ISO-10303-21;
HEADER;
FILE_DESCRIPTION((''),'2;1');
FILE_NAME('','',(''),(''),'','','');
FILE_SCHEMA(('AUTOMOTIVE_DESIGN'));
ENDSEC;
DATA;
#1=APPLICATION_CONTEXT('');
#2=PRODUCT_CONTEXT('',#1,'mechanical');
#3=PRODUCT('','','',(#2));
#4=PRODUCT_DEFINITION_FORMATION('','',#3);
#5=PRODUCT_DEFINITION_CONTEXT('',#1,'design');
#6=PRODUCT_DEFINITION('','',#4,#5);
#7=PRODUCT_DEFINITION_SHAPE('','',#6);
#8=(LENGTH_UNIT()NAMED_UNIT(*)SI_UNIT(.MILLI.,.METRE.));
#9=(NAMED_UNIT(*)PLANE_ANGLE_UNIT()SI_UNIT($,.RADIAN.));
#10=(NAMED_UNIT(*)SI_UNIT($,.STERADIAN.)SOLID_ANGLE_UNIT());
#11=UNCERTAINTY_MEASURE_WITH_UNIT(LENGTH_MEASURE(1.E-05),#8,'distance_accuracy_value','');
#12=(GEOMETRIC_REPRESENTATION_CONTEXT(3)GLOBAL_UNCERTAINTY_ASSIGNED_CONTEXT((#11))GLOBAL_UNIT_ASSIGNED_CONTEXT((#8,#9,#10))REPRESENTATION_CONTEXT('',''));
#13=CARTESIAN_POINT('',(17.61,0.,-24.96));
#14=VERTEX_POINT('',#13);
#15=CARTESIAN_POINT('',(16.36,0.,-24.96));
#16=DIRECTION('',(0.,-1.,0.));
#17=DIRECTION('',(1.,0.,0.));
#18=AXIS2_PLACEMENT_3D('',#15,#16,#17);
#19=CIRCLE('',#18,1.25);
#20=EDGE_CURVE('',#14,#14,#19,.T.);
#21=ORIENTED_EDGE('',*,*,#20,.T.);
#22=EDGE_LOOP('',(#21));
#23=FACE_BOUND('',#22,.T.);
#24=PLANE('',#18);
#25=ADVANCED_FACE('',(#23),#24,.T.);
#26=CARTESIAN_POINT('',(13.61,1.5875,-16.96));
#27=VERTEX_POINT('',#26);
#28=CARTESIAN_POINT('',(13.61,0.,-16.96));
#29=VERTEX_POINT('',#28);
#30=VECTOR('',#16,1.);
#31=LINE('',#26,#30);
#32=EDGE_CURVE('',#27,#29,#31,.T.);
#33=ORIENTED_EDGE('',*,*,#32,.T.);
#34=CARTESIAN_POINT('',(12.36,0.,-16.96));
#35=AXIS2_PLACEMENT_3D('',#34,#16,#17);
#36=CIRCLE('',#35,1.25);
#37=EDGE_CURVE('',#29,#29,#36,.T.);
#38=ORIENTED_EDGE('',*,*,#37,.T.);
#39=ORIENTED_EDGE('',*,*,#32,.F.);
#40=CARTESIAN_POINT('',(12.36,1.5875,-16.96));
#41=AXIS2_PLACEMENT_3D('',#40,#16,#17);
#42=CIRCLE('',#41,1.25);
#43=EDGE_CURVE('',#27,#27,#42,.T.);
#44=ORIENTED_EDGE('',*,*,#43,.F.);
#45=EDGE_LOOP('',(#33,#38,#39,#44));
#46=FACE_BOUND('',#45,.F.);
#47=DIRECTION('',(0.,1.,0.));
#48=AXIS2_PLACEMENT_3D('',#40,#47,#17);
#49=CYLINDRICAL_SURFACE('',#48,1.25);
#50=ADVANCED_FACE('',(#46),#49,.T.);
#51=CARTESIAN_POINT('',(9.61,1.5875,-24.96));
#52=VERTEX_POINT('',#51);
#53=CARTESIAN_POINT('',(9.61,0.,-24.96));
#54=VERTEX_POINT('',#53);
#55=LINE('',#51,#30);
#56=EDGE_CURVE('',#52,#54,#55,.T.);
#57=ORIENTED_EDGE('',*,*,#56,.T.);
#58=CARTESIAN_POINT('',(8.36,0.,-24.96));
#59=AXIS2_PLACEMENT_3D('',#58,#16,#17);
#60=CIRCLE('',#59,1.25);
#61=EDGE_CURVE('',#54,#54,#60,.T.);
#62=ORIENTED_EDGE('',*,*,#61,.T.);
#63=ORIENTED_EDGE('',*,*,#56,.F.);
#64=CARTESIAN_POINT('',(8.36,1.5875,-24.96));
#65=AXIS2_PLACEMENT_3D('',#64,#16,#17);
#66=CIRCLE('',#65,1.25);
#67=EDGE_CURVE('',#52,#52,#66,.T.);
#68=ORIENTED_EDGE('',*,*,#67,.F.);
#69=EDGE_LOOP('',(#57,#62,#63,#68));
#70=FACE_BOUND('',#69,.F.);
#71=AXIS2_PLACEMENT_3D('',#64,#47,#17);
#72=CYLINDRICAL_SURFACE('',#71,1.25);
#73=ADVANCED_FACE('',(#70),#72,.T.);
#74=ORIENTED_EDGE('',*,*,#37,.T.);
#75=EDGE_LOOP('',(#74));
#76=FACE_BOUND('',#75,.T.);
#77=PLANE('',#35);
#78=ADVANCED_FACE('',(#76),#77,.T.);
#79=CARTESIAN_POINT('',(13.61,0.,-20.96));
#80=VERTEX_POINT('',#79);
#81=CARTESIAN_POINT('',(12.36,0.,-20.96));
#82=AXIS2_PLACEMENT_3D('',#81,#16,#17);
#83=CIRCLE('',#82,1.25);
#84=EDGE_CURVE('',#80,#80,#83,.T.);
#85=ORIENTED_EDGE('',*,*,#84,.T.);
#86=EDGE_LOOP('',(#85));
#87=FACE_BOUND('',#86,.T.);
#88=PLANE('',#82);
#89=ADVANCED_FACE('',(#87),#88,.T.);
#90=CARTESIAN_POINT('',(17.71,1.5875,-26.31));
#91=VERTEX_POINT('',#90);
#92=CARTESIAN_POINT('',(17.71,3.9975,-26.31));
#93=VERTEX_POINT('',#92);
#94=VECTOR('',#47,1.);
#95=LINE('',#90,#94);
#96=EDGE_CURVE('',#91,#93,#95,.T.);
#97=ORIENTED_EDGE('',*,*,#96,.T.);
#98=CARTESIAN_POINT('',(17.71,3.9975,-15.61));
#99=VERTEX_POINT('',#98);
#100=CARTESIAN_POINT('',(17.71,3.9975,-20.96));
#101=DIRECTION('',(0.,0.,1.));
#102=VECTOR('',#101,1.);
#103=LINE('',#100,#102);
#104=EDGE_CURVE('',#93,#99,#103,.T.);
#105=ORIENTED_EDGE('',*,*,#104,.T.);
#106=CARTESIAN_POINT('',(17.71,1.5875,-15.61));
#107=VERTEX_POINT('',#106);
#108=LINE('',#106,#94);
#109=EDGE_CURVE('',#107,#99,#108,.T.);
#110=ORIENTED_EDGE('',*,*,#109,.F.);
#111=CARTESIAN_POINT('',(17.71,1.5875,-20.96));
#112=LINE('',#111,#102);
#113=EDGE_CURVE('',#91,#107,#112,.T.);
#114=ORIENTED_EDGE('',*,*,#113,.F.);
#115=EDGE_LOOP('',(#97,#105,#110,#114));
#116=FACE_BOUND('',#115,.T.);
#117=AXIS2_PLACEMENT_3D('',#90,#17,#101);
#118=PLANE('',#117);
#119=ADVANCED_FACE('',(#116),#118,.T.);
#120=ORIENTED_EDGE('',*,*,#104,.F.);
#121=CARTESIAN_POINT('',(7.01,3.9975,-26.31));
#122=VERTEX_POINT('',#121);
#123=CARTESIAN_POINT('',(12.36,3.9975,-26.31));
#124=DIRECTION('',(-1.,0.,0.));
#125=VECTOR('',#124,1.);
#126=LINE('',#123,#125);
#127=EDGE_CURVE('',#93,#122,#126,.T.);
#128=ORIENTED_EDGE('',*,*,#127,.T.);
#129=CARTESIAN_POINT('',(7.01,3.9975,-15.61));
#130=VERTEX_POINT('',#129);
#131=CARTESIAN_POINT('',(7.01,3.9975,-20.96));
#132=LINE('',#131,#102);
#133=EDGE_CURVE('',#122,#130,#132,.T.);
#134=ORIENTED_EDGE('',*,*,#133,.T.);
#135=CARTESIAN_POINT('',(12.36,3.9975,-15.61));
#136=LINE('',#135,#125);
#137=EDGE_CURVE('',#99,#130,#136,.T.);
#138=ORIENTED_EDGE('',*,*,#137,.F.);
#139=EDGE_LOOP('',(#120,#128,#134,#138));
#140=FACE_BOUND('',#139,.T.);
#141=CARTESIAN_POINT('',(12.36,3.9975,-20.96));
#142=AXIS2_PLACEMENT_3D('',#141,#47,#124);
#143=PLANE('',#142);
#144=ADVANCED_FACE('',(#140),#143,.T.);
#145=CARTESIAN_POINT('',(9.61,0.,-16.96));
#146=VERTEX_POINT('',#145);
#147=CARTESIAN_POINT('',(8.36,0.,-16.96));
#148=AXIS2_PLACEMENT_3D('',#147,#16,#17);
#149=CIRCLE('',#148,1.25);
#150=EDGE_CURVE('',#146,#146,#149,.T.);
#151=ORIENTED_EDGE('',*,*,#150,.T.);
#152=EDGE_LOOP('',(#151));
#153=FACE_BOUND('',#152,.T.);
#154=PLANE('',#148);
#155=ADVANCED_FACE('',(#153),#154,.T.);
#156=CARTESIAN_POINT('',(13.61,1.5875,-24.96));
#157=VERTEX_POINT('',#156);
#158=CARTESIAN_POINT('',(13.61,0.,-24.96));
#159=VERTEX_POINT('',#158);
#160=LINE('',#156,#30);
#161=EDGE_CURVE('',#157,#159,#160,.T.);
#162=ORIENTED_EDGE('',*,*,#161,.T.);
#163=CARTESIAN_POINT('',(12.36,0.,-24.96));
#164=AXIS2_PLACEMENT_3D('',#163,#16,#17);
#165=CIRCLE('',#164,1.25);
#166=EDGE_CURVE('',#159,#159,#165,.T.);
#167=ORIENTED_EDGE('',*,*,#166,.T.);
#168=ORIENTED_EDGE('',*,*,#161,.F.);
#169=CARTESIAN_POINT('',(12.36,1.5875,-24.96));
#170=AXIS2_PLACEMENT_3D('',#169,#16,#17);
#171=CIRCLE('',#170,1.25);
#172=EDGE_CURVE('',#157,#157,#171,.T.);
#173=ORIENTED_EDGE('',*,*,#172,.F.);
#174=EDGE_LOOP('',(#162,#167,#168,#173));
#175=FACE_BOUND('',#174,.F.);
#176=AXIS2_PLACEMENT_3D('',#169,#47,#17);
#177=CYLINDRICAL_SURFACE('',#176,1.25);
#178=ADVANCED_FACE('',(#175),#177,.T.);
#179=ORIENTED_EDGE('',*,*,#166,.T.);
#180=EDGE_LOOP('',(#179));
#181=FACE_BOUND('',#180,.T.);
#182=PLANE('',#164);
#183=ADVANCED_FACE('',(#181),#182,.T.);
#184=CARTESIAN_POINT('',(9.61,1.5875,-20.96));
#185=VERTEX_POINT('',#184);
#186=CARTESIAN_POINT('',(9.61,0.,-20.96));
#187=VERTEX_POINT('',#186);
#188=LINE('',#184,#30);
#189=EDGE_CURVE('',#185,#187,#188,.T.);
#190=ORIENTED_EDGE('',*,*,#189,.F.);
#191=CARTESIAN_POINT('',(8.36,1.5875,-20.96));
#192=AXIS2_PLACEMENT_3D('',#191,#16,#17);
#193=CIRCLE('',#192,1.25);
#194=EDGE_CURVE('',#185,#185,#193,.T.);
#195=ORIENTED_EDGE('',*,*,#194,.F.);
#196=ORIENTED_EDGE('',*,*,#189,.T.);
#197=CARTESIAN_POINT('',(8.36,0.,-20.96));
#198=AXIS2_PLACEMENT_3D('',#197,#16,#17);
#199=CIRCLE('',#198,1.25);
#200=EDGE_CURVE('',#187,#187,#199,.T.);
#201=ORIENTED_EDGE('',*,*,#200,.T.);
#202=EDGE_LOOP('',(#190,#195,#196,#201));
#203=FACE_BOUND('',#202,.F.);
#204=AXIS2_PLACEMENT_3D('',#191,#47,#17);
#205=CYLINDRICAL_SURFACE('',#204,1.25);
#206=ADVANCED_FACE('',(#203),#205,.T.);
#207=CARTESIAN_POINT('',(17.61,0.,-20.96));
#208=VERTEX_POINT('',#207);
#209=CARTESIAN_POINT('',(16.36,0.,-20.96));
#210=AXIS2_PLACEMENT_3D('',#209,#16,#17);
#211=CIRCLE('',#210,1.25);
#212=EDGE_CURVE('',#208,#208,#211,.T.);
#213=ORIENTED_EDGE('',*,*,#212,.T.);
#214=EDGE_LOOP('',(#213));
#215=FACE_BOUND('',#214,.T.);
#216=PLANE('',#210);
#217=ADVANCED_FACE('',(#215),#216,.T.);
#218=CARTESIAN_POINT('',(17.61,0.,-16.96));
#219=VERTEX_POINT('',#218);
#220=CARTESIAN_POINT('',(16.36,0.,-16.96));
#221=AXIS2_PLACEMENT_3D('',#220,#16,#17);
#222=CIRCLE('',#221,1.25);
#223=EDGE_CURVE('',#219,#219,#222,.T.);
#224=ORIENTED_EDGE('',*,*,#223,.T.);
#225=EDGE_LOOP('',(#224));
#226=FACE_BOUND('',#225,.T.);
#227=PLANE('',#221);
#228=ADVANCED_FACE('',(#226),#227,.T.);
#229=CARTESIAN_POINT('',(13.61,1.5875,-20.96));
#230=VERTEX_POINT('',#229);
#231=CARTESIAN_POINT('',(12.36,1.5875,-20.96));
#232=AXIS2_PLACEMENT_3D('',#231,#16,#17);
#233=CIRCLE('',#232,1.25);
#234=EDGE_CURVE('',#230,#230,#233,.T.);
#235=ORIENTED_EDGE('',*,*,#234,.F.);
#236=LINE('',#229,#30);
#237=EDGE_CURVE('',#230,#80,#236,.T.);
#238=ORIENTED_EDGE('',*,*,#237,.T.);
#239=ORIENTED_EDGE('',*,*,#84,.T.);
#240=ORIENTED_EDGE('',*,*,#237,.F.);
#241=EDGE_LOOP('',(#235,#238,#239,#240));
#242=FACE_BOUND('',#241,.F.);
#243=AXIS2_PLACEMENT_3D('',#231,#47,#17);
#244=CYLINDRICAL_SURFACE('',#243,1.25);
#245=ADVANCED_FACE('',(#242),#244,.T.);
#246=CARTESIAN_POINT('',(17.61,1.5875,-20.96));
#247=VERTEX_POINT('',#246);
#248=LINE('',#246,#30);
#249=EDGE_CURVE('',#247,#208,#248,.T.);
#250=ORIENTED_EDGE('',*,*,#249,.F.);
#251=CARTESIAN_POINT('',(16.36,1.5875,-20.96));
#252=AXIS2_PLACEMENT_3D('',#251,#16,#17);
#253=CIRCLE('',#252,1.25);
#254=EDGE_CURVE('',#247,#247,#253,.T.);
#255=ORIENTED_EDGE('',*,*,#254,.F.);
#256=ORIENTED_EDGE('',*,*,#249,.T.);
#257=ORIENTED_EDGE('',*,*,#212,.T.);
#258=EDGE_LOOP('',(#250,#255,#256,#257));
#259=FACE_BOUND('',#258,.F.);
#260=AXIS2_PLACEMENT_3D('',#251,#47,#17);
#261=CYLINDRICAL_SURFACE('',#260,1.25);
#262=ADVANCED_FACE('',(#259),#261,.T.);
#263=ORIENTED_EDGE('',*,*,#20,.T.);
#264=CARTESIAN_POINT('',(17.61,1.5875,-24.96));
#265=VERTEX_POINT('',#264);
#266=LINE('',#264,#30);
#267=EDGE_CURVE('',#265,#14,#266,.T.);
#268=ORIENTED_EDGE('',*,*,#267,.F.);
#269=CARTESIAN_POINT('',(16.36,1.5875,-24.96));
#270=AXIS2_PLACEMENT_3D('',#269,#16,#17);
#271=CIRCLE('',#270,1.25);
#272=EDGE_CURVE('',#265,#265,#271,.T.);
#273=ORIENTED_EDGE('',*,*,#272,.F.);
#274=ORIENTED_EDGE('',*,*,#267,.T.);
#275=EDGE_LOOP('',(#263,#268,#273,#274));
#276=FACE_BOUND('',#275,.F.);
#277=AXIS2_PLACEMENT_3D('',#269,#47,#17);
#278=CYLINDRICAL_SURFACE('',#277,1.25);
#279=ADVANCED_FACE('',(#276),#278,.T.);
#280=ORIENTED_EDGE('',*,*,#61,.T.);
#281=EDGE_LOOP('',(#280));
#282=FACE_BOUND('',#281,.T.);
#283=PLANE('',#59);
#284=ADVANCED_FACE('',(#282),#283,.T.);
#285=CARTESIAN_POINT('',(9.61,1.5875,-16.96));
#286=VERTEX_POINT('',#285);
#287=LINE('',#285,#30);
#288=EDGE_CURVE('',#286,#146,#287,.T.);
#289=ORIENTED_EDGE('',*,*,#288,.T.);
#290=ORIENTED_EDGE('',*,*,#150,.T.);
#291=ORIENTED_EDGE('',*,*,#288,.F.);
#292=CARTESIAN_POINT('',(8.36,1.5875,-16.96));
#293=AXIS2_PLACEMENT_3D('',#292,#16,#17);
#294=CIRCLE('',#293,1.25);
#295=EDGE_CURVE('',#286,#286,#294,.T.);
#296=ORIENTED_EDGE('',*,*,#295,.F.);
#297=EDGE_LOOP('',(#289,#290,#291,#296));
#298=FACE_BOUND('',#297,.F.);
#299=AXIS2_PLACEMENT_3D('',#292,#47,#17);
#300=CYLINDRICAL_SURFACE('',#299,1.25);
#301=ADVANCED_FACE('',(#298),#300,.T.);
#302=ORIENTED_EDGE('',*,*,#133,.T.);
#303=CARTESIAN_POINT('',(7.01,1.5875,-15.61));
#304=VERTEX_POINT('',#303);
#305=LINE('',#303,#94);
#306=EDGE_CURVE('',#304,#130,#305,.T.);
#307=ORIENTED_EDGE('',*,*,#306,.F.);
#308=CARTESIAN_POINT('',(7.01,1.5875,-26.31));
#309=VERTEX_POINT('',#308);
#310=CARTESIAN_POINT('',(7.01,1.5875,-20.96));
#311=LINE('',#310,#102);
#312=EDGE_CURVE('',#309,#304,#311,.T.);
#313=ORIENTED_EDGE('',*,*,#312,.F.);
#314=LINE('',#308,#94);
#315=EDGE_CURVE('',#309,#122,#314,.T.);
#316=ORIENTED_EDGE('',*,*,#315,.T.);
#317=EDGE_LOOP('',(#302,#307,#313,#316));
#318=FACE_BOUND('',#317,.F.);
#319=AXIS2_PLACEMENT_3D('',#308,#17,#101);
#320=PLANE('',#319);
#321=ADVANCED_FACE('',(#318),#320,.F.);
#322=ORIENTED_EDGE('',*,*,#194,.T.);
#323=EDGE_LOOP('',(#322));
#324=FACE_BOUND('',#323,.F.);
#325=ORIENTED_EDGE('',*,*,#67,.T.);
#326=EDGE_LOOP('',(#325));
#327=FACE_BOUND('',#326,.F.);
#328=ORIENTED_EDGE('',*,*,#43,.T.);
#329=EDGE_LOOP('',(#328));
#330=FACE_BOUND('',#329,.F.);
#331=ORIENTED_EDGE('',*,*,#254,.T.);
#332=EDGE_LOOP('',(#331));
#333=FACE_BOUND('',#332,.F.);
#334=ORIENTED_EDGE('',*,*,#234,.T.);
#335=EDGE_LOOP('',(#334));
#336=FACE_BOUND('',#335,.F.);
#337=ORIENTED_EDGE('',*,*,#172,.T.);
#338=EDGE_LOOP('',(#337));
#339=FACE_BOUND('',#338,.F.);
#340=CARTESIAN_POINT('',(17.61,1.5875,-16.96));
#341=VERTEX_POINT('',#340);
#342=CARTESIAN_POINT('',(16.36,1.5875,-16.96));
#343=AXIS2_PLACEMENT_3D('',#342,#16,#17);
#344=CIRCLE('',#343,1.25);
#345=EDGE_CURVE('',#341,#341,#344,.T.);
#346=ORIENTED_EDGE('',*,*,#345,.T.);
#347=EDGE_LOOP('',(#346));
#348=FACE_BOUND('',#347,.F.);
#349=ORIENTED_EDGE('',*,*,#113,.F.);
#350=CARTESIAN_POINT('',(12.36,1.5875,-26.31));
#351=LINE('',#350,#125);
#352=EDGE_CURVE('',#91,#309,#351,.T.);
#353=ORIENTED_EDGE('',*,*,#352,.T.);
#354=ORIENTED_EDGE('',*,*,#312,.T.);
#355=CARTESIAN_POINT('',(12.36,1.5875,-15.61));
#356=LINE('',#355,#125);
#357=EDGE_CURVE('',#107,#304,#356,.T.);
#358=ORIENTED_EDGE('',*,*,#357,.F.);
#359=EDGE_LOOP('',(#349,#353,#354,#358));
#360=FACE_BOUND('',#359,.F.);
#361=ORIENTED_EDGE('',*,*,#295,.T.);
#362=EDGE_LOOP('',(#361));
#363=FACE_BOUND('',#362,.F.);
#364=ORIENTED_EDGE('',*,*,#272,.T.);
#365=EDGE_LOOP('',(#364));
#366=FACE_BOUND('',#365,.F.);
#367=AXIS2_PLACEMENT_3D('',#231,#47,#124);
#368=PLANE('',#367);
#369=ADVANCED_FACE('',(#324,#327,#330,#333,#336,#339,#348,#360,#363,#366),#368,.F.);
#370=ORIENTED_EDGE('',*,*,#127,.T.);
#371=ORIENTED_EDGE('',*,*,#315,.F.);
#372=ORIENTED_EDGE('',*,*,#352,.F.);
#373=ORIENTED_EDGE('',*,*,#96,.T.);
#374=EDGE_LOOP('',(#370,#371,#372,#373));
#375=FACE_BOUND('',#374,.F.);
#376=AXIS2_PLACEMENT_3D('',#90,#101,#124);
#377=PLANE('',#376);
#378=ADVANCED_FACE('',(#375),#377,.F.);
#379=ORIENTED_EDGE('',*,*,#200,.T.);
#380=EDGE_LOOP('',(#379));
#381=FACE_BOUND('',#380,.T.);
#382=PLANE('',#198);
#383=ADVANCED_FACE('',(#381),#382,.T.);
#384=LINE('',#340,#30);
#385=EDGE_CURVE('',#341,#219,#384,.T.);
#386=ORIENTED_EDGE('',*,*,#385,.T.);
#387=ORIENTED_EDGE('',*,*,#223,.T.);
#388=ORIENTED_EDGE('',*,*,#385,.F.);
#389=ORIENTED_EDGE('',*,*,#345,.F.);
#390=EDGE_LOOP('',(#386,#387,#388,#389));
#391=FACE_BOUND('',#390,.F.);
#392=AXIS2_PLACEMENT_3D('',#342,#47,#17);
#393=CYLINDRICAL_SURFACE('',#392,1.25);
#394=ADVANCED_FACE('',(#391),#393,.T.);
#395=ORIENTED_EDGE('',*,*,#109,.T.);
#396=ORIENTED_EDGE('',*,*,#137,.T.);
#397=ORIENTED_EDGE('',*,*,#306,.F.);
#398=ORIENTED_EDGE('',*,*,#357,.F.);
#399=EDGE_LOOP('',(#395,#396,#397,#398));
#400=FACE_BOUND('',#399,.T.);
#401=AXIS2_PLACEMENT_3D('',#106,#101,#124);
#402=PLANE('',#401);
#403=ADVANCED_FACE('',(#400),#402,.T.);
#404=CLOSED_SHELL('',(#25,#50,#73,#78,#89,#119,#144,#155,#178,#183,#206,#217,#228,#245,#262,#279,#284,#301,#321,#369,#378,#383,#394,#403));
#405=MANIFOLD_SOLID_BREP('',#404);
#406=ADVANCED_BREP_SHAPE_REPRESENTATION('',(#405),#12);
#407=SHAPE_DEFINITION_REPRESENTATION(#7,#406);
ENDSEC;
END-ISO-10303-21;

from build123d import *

# Parameters (mm, degrees)
SKETCH3_W           = 10.7
SKETCH3_H           = 10.7
BOSS_EXTRUDE2_DEPTH = 2.41
SKETCH5_R           = 1.25
BOSS_EXTRUDE3_DEPTH = 1.5875


with BuildPart() as part:
    # Sketch3 → Boss-Extrude2 (new body)
    with BuildSketch(Plane(origin=(0, 1.5875, 0), x_dir=(-1, 0, 0), z_dir=(0, 1, 0))):
        with Locations((-12.36, -20.96)):
            Rectangle(SKETCH3_W, SKETCH3_H)
    extrude(amount=BOSS_EXTRUDE2_DEPTH)

    # Sketch5 → Boss-Extrude3 (add)
    with BuildSketch(Plane.XZ.offset(-1.5875)):
        with Locations((16.36, -24.96)):
            Circle(SKETCH5_R)
        with Locations((12.36, -24.96)):
            Circle(SKETCH5_R)
        with Locations((8.36, -24.96)):
            Circle(SKETCH5_R)
        with Locations((16.36, -20.96)):
            Circle(SKETCH5_R)
        with Locations((12.36, -20.96)):
            Circle(SKETCH5_R)
        with Locations((8.36, -20.96)):
            Circle(SKETCH5_R)
        with Locations((16.36, -16.96)):
            Circle(SKETCH5_R)
        with Locations((12.36, -16.96)):
            Circle(SKETCH5_R)
        with Locations((8.36, -16.96)):
            Circle(SKETCH5_R)
    extrude(amount=BOSS_EXTRUDE3_DEPTH)


solid = part.part
